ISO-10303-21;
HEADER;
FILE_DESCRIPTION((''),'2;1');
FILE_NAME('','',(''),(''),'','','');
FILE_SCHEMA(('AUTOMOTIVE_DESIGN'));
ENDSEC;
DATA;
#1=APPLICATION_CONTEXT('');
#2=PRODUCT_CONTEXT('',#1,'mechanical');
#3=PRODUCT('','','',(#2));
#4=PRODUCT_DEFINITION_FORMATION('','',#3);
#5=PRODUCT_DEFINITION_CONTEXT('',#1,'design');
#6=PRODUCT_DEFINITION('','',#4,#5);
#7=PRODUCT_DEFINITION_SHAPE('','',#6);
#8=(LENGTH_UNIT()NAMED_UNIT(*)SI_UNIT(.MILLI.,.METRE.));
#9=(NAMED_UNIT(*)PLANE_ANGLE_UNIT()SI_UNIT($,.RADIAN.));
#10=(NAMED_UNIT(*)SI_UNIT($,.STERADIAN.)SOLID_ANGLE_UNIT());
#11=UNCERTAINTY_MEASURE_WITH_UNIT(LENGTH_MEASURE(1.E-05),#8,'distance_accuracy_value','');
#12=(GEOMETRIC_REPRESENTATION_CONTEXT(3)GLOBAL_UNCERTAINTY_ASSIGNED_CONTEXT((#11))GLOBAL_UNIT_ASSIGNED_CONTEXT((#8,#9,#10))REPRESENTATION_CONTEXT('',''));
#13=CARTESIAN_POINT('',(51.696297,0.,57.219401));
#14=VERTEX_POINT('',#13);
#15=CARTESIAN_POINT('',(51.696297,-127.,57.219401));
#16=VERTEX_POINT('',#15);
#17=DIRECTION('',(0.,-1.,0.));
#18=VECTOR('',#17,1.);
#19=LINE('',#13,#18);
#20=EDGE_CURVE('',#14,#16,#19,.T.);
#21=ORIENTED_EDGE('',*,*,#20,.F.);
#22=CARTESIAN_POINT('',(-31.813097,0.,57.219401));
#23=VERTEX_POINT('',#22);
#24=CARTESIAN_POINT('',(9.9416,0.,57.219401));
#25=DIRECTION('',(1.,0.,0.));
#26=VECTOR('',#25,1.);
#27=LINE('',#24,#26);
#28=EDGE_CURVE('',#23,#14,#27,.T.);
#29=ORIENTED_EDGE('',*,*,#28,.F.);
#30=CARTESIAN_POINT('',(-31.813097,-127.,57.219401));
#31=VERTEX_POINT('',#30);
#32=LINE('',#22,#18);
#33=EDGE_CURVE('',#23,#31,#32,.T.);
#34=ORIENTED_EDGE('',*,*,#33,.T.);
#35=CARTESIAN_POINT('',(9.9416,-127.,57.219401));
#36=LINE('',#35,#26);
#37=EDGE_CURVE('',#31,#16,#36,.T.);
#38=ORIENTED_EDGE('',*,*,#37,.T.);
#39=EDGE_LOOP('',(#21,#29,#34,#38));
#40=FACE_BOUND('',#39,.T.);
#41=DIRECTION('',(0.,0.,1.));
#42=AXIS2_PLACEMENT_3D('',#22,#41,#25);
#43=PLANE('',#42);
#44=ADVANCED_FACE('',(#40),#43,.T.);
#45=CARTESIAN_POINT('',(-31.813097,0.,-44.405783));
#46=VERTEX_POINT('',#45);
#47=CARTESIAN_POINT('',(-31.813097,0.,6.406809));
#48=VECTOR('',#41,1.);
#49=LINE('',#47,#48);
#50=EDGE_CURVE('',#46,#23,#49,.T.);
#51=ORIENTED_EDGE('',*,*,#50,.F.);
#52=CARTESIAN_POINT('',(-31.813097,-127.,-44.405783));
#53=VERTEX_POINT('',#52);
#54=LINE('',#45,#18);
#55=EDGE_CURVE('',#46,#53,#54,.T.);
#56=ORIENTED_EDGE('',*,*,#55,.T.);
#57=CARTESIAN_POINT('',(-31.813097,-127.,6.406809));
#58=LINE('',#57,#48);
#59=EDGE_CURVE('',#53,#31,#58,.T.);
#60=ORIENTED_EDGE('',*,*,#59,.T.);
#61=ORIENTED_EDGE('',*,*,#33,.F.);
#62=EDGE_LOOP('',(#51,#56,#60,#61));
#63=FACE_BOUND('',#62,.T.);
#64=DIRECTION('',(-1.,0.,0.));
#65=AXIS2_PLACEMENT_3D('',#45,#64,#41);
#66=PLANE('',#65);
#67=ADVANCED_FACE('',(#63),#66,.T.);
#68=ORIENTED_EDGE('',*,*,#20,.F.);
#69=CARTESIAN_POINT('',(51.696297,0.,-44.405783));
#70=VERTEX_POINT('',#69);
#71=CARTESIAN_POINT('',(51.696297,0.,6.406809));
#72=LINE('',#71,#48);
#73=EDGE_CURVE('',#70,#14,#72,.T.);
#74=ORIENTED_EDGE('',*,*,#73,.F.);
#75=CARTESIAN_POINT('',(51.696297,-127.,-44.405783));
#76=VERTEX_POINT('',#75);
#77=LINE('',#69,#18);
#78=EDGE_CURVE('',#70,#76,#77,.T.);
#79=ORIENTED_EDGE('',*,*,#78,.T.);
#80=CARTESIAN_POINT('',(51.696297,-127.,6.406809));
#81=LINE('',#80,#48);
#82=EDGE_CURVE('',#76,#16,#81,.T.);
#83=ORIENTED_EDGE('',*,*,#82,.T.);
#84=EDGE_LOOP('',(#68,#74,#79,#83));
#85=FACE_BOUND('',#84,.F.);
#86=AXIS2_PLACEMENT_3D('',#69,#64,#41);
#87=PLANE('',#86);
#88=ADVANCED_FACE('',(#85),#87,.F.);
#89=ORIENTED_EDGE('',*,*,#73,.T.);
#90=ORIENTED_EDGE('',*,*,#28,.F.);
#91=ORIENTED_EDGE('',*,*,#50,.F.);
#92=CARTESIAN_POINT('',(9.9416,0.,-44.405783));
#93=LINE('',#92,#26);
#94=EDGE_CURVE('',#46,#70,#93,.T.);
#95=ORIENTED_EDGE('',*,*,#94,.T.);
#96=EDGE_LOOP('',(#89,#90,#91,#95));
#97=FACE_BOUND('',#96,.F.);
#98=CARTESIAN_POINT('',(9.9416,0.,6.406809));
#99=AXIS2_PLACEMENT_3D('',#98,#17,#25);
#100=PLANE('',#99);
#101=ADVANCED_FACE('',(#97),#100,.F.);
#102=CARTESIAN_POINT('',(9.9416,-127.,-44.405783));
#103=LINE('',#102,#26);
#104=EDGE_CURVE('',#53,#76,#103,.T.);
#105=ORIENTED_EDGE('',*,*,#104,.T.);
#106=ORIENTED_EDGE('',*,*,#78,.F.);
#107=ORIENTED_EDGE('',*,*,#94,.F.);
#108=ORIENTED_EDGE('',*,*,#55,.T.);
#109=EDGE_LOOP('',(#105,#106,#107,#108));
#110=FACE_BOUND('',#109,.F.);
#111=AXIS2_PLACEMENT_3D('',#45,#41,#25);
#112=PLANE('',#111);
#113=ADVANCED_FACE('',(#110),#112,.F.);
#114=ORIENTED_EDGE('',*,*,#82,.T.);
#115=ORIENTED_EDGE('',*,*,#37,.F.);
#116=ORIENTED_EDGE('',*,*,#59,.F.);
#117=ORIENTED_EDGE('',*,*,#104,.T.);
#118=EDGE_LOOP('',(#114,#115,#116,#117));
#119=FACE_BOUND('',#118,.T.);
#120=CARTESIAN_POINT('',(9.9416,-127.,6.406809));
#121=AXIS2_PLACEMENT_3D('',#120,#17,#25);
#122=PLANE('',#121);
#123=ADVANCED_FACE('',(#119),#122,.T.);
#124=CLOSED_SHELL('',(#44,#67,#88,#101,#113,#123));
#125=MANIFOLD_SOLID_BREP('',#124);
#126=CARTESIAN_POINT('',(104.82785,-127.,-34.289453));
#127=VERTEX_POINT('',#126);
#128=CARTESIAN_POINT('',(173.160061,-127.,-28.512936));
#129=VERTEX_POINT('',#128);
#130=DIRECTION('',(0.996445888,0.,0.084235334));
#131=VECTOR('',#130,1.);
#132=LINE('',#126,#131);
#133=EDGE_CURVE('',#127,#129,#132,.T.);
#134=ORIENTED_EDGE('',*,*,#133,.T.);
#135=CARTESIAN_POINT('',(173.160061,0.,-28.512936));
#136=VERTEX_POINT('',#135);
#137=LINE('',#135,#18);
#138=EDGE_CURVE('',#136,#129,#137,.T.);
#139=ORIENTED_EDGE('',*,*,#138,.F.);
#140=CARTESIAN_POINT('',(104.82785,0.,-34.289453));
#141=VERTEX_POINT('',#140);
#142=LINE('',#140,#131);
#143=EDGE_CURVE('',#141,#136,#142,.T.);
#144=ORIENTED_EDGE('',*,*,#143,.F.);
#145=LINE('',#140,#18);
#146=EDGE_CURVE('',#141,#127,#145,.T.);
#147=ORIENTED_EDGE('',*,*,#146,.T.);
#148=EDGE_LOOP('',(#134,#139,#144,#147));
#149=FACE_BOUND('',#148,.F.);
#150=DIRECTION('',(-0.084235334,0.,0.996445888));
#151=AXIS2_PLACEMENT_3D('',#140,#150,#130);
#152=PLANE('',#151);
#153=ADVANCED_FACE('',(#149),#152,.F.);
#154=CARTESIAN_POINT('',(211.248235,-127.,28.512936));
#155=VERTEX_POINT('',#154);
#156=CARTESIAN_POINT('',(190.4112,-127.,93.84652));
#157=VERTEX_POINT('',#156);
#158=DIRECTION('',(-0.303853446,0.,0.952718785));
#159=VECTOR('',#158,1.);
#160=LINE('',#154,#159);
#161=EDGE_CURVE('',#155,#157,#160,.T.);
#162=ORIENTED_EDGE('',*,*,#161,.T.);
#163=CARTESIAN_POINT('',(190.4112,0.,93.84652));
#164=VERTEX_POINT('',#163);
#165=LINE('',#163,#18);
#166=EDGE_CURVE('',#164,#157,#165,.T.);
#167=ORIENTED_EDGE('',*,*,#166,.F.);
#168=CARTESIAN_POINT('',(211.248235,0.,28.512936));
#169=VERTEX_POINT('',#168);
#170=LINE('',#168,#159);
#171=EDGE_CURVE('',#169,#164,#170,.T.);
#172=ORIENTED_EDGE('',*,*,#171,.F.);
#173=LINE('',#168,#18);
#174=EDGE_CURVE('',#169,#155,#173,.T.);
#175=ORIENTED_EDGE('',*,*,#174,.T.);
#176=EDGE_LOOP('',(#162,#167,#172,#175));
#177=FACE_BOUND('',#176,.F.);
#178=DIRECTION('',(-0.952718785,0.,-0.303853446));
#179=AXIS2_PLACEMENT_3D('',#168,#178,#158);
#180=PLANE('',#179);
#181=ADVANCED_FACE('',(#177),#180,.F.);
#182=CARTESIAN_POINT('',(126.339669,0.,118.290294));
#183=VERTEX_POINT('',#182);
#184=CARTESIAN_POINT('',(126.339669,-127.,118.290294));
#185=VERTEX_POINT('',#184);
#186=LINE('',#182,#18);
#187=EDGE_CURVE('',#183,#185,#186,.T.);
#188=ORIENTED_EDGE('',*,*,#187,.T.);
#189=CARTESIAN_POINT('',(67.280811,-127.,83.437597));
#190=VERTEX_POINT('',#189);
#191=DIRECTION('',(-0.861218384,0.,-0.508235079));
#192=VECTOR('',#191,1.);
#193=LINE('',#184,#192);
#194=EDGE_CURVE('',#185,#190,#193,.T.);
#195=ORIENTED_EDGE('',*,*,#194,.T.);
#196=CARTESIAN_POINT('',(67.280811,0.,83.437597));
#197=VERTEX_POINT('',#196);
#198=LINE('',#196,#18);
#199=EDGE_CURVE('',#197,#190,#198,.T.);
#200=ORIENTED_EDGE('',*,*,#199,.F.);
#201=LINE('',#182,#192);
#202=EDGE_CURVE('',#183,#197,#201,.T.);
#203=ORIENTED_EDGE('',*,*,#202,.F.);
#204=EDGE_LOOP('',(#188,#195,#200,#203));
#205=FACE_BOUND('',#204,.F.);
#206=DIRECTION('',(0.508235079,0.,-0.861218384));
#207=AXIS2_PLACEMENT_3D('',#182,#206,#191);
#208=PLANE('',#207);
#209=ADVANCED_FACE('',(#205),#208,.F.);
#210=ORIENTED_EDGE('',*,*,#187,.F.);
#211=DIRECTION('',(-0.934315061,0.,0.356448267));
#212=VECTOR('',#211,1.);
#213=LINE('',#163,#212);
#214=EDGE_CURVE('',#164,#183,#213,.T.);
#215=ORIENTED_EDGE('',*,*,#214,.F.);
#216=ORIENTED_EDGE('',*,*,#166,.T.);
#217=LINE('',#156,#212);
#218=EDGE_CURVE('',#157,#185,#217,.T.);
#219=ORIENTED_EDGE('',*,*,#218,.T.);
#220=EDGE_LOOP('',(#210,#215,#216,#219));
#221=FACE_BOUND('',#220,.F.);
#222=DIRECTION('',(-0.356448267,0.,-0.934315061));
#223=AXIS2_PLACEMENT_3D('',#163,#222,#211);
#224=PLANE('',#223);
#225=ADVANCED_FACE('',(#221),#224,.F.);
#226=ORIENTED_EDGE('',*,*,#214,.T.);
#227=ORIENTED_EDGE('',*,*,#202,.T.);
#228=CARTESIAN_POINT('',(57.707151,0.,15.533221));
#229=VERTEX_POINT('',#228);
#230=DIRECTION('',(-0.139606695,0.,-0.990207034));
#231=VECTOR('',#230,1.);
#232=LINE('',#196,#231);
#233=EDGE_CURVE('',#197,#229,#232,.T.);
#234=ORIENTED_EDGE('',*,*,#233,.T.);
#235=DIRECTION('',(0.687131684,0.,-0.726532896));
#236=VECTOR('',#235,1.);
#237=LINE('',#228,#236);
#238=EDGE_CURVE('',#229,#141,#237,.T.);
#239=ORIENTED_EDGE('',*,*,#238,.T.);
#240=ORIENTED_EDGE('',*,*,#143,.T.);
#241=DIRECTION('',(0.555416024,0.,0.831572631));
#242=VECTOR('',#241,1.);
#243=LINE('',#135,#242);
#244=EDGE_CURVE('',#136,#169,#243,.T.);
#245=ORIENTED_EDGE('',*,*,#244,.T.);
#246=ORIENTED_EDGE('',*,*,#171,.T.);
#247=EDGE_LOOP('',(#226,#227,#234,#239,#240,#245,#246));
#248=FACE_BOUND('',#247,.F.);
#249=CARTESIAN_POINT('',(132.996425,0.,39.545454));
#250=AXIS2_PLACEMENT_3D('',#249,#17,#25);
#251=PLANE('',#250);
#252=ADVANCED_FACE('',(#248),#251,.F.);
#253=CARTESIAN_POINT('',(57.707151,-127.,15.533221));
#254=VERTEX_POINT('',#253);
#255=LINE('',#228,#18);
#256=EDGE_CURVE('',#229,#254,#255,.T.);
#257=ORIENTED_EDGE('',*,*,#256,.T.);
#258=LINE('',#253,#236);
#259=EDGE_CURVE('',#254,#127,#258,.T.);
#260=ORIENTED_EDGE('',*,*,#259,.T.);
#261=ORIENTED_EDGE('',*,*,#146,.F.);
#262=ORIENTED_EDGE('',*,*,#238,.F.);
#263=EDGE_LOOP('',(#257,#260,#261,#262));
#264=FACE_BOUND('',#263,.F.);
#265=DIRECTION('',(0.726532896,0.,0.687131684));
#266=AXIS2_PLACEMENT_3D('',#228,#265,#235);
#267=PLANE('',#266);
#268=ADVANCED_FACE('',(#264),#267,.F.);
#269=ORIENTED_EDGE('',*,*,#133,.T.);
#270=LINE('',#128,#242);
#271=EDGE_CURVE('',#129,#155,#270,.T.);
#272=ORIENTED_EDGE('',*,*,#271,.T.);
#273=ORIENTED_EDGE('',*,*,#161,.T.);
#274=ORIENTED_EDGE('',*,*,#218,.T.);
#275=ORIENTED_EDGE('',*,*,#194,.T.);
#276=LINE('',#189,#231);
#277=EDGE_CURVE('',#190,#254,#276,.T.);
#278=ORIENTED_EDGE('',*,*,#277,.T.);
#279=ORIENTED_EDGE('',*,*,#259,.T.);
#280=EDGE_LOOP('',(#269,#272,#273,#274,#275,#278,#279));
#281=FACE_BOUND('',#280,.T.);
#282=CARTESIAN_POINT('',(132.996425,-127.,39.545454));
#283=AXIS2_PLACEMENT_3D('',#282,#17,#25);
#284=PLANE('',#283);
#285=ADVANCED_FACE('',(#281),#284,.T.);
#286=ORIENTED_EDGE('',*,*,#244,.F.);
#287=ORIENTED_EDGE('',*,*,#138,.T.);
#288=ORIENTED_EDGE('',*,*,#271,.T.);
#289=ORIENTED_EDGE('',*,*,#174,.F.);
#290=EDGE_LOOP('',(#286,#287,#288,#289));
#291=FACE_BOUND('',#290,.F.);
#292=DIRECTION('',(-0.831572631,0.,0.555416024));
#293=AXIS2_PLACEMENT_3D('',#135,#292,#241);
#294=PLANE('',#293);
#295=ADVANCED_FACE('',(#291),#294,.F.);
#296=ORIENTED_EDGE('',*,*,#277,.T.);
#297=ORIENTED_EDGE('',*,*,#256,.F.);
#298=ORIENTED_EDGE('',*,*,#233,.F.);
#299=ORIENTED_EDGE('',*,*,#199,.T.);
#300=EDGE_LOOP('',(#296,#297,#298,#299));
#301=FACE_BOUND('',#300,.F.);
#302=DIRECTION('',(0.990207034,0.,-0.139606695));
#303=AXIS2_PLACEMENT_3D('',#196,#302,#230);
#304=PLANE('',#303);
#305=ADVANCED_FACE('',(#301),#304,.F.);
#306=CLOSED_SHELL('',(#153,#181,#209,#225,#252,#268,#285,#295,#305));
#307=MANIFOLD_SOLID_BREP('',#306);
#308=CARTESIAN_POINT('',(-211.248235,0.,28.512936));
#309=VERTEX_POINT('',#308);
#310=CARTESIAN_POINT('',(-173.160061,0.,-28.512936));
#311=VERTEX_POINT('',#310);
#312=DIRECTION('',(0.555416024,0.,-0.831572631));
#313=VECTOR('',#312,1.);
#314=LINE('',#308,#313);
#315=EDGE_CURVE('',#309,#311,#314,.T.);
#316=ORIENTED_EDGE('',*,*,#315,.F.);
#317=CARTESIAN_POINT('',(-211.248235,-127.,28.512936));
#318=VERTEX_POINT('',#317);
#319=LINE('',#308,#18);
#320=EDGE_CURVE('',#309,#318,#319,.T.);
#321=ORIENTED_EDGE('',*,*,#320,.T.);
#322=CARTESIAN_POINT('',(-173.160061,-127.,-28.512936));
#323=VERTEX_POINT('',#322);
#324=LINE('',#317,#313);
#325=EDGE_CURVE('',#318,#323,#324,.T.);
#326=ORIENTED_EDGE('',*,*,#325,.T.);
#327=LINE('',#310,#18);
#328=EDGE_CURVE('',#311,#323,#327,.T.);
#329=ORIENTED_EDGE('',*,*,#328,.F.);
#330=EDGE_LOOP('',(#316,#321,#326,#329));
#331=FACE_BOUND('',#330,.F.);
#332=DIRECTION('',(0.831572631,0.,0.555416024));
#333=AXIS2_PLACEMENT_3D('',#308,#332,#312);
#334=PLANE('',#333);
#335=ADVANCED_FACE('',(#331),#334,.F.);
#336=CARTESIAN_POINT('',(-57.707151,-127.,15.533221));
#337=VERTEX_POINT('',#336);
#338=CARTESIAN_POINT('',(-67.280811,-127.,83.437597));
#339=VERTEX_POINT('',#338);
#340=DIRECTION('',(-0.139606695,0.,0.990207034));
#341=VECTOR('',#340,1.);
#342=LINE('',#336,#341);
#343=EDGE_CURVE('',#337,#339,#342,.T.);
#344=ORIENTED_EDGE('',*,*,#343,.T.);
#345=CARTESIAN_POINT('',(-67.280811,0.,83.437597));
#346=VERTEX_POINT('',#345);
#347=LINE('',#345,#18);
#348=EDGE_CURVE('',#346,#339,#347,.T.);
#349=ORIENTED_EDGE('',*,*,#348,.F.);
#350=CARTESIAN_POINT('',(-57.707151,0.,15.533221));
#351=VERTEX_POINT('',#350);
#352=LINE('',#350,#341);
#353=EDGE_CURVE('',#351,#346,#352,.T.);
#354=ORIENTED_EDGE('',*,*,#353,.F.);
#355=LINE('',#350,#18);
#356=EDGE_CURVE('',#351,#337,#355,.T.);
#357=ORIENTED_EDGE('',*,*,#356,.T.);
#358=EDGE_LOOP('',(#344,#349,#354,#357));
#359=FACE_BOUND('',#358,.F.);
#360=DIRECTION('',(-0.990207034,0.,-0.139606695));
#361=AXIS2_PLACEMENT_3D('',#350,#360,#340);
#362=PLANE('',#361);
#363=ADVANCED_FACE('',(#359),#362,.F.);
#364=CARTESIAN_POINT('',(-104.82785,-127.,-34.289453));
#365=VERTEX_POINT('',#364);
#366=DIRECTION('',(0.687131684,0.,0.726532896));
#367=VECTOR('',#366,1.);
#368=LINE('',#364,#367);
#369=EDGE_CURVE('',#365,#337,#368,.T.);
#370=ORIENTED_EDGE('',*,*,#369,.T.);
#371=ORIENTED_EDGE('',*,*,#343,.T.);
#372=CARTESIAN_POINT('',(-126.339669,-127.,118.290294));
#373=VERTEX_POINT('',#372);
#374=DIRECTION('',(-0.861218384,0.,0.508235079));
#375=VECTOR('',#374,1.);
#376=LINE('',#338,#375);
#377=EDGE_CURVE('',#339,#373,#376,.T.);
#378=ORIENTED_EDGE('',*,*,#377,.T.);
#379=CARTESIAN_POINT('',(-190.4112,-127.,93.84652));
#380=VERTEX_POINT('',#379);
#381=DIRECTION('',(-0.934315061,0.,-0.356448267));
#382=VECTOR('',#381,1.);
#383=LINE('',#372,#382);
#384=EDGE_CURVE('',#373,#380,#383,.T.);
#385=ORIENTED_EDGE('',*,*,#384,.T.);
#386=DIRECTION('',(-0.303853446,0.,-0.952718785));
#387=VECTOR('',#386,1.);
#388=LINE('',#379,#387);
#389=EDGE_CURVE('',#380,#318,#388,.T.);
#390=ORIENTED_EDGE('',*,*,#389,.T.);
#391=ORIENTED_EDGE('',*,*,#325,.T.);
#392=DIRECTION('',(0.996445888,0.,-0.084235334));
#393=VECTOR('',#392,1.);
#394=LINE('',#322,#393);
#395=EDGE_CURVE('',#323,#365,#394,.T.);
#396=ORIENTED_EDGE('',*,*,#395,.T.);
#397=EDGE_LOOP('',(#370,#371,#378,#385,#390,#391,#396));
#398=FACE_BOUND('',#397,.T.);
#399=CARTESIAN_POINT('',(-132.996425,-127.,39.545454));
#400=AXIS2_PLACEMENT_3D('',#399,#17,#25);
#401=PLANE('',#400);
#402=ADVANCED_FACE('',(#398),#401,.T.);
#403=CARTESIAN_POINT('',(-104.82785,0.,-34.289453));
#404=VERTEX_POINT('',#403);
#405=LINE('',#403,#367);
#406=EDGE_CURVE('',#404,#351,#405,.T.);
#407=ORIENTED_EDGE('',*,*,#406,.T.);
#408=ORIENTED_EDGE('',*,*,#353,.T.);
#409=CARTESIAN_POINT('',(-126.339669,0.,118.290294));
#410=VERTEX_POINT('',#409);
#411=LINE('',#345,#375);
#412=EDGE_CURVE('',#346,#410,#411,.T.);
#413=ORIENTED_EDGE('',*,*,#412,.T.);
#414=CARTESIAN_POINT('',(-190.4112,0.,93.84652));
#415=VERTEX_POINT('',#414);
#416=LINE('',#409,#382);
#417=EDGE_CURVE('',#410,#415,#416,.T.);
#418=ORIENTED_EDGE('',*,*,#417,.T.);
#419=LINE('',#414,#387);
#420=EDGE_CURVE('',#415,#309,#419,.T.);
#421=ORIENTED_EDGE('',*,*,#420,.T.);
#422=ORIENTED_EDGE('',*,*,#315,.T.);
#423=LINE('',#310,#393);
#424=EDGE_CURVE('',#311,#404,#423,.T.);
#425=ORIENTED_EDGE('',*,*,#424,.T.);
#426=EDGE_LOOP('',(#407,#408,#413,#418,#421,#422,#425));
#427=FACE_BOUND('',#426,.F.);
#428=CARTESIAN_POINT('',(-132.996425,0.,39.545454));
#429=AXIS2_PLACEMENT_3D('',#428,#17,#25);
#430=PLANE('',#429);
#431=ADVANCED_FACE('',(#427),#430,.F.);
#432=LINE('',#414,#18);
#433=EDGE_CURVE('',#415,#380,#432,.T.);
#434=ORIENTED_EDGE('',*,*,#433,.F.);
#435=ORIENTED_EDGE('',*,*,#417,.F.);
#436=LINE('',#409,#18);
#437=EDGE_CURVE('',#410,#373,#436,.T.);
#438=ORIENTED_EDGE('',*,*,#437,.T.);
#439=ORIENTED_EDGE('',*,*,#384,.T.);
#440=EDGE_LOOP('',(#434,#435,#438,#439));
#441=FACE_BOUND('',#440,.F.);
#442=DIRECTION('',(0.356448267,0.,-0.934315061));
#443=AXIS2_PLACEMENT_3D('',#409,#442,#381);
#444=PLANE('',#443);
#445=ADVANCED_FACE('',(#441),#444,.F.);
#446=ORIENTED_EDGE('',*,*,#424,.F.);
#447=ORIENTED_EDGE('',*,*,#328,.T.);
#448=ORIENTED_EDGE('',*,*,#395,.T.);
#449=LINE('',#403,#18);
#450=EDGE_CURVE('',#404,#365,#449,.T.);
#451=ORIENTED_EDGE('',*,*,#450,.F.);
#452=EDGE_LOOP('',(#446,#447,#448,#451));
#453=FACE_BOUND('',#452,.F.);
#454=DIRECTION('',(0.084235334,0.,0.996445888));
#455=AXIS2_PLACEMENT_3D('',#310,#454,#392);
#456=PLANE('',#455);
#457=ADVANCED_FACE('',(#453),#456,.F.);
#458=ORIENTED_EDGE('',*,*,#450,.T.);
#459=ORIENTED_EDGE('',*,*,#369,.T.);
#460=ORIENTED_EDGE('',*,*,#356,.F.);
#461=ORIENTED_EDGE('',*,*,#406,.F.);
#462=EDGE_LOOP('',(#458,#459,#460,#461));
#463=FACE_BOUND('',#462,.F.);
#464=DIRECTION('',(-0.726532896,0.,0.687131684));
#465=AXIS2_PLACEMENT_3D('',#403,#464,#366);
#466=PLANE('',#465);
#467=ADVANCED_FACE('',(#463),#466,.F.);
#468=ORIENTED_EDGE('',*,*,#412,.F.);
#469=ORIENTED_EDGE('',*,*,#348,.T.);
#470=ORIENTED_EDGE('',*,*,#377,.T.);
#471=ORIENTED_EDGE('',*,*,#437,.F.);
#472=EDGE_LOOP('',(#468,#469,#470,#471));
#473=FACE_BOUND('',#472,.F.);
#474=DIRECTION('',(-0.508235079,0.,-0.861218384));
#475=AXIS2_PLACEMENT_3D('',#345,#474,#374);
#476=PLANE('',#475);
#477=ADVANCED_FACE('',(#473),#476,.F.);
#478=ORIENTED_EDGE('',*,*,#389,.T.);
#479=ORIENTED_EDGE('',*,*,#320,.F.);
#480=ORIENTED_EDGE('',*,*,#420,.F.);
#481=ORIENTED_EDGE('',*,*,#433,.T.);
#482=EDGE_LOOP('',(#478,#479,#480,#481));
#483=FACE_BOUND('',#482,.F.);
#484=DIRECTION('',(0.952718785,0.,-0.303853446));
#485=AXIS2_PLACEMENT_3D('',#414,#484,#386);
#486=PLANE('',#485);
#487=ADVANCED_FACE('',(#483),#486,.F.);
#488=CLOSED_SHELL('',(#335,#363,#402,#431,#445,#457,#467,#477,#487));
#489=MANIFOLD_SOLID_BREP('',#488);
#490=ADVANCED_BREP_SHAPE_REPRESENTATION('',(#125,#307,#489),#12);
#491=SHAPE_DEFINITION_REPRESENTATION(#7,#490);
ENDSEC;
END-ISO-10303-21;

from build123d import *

# Parameters (mm, degrees)
F0_W     = 83.509393
F0_H     = 101.625185
F1_DEPTH = 127


with BuildPart() as f1:
    # F0 (on Front) → F1 (new body)
    with BuildSketch(Plane.XZ):
        Polygon((-211.248235, 28.512936), (-173.160061, -28.512936), (-104.82785, -34.289453), (-57.707151, 15.533221), (-67.280811, 83.437597), (-126.339669, 118.290294), (-190.4112, 93.84652), align=None)
        with Locations((9.9416, 6.406809)):
            Rectangle(F0_W, F0_H)
        Polygon((211.248235, 28.512936), (190.4112, 93.84652), (126.339669, 118.290294), (67.280811, 83.437597), (57.707151, 15.533221), (104.82785, -34.289453), (173.160061, -28.512936), align=None)
    extrude(amount=F1_DEPTH)


solid = f1.part
